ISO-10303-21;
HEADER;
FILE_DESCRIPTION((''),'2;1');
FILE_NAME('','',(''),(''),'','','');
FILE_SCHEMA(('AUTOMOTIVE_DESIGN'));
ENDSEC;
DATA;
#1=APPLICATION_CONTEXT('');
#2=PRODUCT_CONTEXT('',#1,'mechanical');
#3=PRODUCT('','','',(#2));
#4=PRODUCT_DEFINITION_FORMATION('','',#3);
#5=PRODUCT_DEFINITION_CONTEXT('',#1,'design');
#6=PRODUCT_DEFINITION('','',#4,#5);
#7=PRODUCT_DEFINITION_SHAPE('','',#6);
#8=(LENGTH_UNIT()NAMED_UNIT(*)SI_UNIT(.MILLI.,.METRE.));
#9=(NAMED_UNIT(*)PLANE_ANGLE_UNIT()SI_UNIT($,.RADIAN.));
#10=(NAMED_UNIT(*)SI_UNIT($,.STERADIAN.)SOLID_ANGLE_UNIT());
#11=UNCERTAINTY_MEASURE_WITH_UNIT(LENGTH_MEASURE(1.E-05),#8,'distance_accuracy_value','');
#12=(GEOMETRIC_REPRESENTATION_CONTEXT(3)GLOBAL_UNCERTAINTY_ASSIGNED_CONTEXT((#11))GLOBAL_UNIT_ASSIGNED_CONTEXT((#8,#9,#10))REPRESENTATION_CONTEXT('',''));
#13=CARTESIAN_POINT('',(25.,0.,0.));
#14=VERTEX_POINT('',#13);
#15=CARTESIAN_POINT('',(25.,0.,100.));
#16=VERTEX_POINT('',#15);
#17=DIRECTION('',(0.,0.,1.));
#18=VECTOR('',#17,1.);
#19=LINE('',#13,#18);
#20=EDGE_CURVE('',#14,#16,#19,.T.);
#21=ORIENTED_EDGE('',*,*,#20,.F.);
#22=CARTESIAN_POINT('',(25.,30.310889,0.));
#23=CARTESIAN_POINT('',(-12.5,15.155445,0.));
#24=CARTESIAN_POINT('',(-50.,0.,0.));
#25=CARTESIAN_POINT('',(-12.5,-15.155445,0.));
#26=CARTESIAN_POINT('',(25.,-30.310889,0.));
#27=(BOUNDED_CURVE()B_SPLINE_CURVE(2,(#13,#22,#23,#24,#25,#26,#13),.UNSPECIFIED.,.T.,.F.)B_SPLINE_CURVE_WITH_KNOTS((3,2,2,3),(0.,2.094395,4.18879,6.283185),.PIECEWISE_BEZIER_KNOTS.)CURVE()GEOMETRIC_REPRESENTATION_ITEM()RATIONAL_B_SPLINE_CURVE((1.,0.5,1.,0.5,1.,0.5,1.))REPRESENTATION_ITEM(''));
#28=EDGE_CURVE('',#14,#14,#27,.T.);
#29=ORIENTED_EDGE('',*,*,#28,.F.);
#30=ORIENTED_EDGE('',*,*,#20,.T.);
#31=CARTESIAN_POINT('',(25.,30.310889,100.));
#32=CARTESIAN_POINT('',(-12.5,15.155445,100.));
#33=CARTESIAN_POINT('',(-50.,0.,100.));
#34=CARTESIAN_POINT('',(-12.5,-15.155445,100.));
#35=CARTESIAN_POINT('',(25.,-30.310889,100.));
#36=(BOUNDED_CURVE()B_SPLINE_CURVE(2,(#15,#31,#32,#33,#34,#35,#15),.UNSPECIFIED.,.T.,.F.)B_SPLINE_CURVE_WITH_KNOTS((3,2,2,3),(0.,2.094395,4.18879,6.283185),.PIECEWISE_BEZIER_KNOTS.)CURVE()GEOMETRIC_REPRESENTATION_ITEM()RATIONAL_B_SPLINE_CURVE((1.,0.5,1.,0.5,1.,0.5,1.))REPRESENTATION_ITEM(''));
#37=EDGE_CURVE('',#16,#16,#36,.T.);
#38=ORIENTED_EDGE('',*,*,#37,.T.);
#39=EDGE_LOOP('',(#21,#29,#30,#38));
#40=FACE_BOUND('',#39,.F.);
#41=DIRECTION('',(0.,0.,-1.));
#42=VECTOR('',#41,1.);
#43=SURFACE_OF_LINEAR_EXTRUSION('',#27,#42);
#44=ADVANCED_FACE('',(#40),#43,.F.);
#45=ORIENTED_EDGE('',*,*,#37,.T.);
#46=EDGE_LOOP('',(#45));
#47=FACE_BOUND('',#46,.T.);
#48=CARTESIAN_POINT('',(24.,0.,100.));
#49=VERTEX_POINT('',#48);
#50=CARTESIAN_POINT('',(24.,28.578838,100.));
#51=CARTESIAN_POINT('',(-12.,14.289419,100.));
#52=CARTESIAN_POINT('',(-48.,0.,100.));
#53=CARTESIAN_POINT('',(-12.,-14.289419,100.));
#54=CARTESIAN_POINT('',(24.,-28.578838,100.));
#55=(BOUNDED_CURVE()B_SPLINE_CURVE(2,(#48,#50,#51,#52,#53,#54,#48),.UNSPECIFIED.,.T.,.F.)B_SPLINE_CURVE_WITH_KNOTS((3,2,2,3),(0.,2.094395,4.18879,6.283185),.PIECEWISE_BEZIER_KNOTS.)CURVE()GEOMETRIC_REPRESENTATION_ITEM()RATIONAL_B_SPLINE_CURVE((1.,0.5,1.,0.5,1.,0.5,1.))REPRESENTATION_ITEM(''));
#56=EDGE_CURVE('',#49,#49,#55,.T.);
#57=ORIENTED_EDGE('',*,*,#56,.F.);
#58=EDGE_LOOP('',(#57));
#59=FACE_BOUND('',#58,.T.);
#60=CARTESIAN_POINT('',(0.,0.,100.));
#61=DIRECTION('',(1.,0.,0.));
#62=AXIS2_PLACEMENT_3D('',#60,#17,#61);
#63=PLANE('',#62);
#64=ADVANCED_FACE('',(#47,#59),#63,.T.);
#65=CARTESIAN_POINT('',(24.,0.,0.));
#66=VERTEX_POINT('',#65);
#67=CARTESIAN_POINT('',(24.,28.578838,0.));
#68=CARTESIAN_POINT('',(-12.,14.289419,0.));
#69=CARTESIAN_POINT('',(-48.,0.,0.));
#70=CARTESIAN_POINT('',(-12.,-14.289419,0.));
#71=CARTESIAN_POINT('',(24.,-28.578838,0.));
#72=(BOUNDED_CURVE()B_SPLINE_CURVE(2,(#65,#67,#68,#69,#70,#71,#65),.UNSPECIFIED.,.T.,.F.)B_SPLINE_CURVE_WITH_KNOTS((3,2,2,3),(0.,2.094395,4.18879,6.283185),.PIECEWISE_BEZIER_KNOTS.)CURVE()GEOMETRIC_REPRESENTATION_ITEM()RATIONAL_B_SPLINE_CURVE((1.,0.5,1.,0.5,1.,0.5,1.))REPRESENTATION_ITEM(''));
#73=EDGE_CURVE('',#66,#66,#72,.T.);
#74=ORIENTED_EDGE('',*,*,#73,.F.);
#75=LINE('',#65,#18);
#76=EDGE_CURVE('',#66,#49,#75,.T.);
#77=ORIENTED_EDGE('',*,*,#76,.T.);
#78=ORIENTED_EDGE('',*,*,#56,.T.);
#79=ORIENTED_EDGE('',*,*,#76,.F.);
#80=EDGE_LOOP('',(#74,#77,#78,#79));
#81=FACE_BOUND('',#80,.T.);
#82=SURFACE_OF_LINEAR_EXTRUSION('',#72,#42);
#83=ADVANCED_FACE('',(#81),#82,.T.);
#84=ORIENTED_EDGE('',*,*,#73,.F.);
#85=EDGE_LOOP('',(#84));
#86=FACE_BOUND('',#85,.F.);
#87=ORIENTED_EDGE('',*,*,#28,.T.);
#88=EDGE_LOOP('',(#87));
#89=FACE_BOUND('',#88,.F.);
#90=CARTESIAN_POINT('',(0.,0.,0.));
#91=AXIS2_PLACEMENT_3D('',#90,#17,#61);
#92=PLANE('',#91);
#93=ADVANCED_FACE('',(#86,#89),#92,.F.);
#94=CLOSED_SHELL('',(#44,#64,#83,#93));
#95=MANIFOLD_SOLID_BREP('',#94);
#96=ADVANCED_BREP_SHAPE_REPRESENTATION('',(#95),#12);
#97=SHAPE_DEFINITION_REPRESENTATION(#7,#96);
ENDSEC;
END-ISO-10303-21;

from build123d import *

# Parameters (mm, degrees)
F1_DEPTH = 100


with BuildPart() as f1:
    # F0 (on Top) → F1 (new body)
    with BuildSketch(Plane.XY):
        with BuildLine():
            add(Edge.make_bspline(
                [(25, 0), (25, 30.310889), (-12.5, 15.155445), (-50, 0), (-12.5, -15.155445), (25, -30.310889), (25, 0)],
                knots=[0, 0, 0, 2.094395, 2.094395, 4.18879, 4.18879, 6.283185, 6.283185, 6.283185], degree=2, weights=[1, 0.5, 1, 0.5, 1, 0.5, 1]))
        make_face()
        with BuildLine():
            add(Edge.make_bspline(
                [(24, 0), (24, 28.578838), (-12, 14.289419), (-48, 0), (-12, -14.289419), (24, -28.578838), (24, 0)],
                knots=[0, 0, 0, 2.094395, 2.094395, 4.18879, 4.18879, 6.283185, 6.283185, 6.283185], degree=2, weights=[1, 0.5, 1, 0.5, 1, 0.5, 1]))
        make_face(mode=Mode.SUBTRACT)
    extrude(amount=F1_DEPTH)


solid = f1.part
